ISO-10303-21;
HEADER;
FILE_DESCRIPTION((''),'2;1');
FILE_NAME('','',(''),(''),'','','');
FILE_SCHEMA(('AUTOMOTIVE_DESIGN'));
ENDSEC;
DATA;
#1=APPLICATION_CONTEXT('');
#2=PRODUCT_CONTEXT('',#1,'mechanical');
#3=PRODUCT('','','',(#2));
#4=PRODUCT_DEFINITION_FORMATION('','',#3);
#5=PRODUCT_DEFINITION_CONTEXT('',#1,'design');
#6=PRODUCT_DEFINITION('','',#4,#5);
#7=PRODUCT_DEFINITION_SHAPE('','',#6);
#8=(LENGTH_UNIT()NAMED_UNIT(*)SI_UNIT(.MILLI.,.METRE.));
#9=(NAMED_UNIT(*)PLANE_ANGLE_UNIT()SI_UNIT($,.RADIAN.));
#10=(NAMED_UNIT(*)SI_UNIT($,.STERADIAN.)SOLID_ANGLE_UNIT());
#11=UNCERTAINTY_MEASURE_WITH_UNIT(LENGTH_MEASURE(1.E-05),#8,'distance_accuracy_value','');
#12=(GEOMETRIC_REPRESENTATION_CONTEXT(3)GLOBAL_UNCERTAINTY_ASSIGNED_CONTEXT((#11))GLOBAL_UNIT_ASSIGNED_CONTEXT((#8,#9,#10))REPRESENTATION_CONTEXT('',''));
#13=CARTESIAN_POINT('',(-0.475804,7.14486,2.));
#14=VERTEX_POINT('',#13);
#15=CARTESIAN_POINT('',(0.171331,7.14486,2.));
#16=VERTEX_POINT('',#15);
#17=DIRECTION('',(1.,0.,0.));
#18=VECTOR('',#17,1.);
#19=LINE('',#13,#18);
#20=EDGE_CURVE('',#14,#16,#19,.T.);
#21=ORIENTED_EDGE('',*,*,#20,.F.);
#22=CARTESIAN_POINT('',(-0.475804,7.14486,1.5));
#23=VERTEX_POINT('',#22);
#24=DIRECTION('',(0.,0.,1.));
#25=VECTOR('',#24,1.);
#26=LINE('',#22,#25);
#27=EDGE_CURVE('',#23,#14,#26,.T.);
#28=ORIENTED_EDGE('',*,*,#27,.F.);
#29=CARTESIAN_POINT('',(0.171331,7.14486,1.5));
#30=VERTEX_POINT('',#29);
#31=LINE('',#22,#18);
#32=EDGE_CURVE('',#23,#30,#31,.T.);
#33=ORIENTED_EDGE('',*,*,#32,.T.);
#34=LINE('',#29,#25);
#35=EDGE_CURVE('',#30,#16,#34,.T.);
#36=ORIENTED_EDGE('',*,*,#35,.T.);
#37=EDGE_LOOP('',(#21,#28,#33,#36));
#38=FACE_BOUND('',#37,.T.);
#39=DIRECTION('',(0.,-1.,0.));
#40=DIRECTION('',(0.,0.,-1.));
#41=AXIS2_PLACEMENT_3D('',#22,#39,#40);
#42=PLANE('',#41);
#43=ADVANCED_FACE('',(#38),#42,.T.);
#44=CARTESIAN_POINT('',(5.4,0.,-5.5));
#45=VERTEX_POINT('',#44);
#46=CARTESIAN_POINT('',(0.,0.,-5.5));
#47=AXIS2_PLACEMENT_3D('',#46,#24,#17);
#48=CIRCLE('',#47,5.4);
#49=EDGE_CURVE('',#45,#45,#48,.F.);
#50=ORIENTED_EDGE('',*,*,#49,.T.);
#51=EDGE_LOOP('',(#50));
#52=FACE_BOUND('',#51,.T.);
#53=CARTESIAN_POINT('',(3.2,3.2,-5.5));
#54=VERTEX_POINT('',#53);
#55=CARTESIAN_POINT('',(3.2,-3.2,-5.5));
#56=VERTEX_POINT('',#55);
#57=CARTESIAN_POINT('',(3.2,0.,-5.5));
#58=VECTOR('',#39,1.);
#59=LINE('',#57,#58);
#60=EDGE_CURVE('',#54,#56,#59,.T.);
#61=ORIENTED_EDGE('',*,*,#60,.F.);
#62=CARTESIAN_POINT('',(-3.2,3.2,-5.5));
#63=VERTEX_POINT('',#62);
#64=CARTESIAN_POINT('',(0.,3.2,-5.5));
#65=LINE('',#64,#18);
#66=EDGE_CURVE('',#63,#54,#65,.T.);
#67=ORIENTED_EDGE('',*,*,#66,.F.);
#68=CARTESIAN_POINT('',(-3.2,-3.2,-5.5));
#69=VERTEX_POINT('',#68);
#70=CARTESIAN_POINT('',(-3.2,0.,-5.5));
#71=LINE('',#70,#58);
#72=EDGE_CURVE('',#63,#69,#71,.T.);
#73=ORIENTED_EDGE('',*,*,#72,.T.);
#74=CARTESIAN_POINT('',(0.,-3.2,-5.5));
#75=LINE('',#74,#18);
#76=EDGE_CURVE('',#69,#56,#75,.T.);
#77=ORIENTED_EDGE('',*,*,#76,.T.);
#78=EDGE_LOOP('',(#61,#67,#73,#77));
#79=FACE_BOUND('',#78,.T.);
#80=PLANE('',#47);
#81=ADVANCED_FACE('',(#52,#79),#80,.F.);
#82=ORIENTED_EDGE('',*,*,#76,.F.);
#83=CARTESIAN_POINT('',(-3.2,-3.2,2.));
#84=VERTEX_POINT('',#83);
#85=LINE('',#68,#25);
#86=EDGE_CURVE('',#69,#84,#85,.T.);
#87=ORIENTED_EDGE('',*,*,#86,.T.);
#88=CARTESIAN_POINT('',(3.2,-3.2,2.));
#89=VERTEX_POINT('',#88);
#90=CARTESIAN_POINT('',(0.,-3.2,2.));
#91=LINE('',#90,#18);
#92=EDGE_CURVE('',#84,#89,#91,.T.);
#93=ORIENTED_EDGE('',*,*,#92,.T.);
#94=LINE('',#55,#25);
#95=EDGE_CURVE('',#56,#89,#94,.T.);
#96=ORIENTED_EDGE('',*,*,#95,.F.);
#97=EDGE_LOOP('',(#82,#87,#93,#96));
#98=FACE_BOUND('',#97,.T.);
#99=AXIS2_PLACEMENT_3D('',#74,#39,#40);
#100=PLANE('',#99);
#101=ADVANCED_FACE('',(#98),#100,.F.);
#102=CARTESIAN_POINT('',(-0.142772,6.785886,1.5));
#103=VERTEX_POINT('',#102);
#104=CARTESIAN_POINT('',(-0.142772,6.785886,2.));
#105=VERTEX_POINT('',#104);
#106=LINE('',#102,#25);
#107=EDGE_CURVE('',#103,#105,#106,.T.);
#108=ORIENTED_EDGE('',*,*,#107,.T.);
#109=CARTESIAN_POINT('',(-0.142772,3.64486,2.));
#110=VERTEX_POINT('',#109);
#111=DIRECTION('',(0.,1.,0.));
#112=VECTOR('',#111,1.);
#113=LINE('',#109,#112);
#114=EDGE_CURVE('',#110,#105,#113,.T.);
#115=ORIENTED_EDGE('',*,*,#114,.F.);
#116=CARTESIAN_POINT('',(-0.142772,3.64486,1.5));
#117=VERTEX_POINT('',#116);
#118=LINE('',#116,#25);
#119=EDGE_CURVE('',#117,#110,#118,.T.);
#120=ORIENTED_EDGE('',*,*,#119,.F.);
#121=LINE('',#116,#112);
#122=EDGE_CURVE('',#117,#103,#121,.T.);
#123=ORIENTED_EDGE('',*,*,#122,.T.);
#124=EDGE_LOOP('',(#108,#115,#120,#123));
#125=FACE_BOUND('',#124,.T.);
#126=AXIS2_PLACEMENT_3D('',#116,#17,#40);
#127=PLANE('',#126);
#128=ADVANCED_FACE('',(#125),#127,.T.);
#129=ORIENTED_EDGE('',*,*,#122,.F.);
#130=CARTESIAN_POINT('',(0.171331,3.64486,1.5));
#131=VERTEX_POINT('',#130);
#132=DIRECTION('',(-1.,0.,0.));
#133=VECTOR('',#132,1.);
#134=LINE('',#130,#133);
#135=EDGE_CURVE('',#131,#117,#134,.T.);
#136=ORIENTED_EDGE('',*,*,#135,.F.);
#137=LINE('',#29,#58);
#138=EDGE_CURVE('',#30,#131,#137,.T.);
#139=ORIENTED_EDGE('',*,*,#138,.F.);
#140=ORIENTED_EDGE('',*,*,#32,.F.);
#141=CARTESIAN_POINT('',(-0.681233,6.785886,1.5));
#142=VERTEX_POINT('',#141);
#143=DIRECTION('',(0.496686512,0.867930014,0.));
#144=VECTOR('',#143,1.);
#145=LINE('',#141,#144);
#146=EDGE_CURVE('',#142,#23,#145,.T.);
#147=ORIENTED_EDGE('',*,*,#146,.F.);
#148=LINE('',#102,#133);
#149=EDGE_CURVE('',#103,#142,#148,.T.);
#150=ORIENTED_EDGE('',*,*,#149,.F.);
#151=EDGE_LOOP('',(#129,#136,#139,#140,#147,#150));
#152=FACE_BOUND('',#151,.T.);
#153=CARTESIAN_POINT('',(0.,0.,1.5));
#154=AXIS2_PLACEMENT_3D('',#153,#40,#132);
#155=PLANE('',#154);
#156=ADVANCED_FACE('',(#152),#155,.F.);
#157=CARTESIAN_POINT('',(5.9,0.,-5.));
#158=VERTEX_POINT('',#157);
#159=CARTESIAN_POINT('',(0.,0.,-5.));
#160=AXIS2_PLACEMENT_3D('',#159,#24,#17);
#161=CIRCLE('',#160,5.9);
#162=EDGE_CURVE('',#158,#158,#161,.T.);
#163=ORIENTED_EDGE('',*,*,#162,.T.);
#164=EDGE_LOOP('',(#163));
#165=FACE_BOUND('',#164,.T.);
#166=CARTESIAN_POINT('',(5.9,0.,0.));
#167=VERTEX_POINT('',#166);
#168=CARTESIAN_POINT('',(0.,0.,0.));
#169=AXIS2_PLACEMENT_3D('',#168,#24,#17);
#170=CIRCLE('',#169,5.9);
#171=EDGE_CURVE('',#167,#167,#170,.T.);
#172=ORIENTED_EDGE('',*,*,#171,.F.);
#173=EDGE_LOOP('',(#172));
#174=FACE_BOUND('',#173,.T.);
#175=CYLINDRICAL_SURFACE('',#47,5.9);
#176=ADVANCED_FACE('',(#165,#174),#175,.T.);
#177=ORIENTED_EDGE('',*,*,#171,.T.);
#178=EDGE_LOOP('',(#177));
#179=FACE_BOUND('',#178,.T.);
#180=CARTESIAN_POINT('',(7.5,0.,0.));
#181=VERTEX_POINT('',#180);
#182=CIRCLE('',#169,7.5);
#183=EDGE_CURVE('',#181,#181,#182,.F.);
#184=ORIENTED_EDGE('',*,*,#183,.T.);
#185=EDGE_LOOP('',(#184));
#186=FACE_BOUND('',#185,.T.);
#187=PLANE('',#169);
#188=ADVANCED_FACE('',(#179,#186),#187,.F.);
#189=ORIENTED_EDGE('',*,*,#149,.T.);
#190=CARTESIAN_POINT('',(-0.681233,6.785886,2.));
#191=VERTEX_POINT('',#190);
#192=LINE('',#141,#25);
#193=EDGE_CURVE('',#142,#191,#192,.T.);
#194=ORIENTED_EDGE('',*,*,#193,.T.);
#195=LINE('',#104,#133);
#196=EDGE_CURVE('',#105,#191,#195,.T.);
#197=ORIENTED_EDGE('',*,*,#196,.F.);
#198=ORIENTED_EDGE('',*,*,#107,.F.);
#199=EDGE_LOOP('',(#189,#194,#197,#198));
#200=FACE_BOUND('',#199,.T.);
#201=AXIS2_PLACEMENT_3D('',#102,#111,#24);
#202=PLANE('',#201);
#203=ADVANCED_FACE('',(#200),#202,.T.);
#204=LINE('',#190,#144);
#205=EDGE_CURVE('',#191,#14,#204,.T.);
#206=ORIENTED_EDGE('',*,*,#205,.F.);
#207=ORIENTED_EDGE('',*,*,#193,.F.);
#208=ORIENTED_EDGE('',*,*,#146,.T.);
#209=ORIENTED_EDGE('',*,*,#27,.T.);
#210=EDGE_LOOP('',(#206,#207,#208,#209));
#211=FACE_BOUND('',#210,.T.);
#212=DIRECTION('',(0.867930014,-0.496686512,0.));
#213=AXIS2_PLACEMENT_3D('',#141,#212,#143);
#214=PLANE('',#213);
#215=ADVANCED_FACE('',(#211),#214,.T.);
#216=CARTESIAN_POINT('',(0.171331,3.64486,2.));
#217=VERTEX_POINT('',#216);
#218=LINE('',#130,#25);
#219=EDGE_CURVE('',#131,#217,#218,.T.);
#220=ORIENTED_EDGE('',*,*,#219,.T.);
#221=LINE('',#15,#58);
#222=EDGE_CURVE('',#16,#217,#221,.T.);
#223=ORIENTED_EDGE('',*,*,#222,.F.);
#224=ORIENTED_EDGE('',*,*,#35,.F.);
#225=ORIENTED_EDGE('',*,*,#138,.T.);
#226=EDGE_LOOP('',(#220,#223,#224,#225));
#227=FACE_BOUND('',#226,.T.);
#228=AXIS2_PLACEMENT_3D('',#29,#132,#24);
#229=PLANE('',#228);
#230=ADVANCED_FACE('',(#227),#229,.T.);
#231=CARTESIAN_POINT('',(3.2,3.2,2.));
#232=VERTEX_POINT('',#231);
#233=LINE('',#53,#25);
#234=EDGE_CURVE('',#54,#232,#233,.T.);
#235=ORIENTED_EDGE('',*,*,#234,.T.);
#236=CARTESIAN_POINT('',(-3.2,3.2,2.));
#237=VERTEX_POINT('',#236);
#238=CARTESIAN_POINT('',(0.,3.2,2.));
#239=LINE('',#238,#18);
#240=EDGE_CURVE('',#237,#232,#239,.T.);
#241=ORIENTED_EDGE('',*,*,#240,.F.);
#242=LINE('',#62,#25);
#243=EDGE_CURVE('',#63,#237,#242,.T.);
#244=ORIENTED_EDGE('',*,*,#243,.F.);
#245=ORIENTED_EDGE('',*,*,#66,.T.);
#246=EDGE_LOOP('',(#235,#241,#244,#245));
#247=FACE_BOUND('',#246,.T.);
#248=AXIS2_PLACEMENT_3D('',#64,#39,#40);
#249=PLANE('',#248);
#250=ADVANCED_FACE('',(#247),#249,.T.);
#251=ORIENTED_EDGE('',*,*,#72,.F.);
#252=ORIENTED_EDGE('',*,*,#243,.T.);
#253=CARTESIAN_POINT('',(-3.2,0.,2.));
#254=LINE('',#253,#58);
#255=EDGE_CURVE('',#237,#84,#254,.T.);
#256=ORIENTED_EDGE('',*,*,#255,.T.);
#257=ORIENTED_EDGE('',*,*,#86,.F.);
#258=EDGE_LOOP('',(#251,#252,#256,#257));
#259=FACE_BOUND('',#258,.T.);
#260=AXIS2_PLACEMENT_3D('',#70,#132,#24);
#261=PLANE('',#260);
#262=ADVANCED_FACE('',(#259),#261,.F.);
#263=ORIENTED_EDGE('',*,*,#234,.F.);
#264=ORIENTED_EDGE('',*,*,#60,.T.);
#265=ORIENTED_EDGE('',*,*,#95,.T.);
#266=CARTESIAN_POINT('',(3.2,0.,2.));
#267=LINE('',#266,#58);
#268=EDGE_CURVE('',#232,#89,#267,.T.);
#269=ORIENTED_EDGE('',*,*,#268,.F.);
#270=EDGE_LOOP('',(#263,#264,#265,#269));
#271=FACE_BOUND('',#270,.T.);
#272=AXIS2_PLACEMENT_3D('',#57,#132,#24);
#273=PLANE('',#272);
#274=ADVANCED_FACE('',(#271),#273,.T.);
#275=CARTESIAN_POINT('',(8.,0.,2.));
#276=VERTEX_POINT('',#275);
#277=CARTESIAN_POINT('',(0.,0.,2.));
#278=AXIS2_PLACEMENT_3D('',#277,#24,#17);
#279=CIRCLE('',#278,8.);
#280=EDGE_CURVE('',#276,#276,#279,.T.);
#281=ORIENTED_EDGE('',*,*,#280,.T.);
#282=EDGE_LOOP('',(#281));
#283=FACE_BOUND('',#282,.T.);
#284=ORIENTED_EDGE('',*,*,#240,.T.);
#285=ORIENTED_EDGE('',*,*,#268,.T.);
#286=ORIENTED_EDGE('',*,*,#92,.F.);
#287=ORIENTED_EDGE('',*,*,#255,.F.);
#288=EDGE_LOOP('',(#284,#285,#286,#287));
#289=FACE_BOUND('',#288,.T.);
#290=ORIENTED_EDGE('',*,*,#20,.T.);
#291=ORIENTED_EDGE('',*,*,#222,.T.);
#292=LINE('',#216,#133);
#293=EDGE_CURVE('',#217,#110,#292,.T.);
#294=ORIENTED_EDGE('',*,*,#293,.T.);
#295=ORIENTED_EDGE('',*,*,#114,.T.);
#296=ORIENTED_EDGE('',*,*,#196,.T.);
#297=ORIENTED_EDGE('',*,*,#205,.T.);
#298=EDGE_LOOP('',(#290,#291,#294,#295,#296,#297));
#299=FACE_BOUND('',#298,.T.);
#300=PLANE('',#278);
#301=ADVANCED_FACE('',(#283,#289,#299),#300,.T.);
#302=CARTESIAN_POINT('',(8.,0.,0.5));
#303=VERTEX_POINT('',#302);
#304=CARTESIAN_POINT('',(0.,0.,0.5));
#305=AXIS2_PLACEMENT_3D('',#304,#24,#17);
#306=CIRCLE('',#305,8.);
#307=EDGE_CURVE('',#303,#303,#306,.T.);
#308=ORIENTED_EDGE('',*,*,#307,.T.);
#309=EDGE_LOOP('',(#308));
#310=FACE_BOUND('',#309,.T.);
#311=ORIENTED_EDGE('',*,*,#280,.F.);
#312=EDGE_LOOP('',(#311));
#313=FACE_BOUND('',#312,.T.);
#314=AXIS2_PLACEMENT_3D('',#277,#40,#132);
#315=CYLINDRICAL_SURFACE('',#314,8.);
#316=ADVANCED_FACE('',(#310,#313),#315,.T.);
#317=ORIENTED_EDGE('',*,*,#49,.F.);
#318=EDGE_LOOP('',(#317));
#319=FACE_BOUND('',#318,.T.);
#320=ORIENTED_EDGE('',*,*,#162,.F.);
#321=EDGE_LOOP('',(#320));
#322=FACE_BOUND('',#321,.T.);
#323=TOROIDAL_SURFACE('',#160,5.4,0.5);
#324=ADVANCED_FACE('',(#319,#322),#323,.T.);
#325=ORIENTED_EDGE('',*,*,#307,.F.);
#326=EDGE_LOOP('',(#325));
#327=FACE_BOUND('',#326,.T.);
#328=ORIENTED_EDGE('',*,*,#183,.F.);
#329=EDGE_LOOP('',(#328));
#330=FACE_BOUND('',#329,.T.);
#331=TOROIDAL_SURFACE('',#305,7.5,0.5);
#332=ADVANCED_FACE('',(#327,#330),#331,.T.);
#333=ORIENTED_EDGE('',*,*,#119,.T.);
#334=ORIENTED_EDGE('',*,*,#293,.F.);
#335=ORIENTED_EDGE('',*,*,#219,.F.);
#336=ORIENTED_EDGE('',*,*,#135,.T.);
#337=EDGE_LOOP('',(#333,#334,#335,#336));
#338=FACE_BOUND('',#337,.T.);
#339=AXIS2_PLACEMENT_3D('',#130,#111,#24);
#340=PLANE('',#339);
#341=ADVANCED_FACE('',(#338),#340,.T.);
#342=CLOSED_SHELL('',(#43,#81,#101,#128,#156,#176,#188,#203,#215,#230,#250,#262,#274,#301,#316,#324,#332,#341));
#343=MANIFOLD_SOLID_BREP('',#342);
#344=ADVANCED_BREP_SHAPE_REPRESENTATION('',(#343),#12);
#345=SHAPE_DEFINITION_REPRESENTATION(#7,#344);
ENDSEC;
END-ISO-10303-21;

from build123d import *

# Parameters (mm, degrees)
SKETCH1_R           = 5.9
SKETCH1_W           = 6.4
SKETCH1_H           = 6.4
BOSS_EXTRUDE1_DEPTH = 5.5
SKETCH1_3_R         = 8
SKETCH1_3_W         = 6.4
SKETCH1_3_H         = 6.4
BOSS_EXTRUDE2_DEPTH = 2
FILLET1_R           = 0.5
CUT_EXTRUDE1_DEPTH  = 0.5


with BuildPart() as part:
    # Sketch1 → Boss-Extrude1 (new body)
    with BuildSketch(Plane.XY):
        Circle(SKETCH1_R)
        Rectangle(SKETCH1_W, SKETCH1_H, mode=Mode.SUBTRACT)
    extrude(amount=-BOSS_EXTRUDE1_DEPTH)

    # Sketch1<3> → Boss-Extrude2 (add)
    with BuildSketch(Plane.XY):
        Circle(SKETCH1_3_R)
        Rectangle(SKETCH1_3_W, SKETCH1_3_H, mode=Mode.SUBTRACT)
    extrude(amount=BOSS_EXTRUDE2_DEPTH)

    # Fillet1
    fillet1_edges = [part.edges().sort_by_distance(p)[0] for p in [
        (-8, 0, 0),
        (-5.9, 0, -5.5),
    ]]
    fillet(fillet1_edges, radius=FILLET1_R)

    # Sketch2 → Cut-Extrude1 (cut)
    with BuildSketch(Plane.XY.offset(2)):
        Polygon((-0.475804426, 7.144860485), (0.171330991, 7.144860485), (0.171330991, 3.644860485), (-0.142771573, 3.644860485), (-0.142771573, 6.785886126), (-0.681233112, 6.785886126), align=None)
    extrude(amount=-CUT_EXTRUDE1_DEPTH, mode=Mode.SUBTRACT)


solid = part.part
